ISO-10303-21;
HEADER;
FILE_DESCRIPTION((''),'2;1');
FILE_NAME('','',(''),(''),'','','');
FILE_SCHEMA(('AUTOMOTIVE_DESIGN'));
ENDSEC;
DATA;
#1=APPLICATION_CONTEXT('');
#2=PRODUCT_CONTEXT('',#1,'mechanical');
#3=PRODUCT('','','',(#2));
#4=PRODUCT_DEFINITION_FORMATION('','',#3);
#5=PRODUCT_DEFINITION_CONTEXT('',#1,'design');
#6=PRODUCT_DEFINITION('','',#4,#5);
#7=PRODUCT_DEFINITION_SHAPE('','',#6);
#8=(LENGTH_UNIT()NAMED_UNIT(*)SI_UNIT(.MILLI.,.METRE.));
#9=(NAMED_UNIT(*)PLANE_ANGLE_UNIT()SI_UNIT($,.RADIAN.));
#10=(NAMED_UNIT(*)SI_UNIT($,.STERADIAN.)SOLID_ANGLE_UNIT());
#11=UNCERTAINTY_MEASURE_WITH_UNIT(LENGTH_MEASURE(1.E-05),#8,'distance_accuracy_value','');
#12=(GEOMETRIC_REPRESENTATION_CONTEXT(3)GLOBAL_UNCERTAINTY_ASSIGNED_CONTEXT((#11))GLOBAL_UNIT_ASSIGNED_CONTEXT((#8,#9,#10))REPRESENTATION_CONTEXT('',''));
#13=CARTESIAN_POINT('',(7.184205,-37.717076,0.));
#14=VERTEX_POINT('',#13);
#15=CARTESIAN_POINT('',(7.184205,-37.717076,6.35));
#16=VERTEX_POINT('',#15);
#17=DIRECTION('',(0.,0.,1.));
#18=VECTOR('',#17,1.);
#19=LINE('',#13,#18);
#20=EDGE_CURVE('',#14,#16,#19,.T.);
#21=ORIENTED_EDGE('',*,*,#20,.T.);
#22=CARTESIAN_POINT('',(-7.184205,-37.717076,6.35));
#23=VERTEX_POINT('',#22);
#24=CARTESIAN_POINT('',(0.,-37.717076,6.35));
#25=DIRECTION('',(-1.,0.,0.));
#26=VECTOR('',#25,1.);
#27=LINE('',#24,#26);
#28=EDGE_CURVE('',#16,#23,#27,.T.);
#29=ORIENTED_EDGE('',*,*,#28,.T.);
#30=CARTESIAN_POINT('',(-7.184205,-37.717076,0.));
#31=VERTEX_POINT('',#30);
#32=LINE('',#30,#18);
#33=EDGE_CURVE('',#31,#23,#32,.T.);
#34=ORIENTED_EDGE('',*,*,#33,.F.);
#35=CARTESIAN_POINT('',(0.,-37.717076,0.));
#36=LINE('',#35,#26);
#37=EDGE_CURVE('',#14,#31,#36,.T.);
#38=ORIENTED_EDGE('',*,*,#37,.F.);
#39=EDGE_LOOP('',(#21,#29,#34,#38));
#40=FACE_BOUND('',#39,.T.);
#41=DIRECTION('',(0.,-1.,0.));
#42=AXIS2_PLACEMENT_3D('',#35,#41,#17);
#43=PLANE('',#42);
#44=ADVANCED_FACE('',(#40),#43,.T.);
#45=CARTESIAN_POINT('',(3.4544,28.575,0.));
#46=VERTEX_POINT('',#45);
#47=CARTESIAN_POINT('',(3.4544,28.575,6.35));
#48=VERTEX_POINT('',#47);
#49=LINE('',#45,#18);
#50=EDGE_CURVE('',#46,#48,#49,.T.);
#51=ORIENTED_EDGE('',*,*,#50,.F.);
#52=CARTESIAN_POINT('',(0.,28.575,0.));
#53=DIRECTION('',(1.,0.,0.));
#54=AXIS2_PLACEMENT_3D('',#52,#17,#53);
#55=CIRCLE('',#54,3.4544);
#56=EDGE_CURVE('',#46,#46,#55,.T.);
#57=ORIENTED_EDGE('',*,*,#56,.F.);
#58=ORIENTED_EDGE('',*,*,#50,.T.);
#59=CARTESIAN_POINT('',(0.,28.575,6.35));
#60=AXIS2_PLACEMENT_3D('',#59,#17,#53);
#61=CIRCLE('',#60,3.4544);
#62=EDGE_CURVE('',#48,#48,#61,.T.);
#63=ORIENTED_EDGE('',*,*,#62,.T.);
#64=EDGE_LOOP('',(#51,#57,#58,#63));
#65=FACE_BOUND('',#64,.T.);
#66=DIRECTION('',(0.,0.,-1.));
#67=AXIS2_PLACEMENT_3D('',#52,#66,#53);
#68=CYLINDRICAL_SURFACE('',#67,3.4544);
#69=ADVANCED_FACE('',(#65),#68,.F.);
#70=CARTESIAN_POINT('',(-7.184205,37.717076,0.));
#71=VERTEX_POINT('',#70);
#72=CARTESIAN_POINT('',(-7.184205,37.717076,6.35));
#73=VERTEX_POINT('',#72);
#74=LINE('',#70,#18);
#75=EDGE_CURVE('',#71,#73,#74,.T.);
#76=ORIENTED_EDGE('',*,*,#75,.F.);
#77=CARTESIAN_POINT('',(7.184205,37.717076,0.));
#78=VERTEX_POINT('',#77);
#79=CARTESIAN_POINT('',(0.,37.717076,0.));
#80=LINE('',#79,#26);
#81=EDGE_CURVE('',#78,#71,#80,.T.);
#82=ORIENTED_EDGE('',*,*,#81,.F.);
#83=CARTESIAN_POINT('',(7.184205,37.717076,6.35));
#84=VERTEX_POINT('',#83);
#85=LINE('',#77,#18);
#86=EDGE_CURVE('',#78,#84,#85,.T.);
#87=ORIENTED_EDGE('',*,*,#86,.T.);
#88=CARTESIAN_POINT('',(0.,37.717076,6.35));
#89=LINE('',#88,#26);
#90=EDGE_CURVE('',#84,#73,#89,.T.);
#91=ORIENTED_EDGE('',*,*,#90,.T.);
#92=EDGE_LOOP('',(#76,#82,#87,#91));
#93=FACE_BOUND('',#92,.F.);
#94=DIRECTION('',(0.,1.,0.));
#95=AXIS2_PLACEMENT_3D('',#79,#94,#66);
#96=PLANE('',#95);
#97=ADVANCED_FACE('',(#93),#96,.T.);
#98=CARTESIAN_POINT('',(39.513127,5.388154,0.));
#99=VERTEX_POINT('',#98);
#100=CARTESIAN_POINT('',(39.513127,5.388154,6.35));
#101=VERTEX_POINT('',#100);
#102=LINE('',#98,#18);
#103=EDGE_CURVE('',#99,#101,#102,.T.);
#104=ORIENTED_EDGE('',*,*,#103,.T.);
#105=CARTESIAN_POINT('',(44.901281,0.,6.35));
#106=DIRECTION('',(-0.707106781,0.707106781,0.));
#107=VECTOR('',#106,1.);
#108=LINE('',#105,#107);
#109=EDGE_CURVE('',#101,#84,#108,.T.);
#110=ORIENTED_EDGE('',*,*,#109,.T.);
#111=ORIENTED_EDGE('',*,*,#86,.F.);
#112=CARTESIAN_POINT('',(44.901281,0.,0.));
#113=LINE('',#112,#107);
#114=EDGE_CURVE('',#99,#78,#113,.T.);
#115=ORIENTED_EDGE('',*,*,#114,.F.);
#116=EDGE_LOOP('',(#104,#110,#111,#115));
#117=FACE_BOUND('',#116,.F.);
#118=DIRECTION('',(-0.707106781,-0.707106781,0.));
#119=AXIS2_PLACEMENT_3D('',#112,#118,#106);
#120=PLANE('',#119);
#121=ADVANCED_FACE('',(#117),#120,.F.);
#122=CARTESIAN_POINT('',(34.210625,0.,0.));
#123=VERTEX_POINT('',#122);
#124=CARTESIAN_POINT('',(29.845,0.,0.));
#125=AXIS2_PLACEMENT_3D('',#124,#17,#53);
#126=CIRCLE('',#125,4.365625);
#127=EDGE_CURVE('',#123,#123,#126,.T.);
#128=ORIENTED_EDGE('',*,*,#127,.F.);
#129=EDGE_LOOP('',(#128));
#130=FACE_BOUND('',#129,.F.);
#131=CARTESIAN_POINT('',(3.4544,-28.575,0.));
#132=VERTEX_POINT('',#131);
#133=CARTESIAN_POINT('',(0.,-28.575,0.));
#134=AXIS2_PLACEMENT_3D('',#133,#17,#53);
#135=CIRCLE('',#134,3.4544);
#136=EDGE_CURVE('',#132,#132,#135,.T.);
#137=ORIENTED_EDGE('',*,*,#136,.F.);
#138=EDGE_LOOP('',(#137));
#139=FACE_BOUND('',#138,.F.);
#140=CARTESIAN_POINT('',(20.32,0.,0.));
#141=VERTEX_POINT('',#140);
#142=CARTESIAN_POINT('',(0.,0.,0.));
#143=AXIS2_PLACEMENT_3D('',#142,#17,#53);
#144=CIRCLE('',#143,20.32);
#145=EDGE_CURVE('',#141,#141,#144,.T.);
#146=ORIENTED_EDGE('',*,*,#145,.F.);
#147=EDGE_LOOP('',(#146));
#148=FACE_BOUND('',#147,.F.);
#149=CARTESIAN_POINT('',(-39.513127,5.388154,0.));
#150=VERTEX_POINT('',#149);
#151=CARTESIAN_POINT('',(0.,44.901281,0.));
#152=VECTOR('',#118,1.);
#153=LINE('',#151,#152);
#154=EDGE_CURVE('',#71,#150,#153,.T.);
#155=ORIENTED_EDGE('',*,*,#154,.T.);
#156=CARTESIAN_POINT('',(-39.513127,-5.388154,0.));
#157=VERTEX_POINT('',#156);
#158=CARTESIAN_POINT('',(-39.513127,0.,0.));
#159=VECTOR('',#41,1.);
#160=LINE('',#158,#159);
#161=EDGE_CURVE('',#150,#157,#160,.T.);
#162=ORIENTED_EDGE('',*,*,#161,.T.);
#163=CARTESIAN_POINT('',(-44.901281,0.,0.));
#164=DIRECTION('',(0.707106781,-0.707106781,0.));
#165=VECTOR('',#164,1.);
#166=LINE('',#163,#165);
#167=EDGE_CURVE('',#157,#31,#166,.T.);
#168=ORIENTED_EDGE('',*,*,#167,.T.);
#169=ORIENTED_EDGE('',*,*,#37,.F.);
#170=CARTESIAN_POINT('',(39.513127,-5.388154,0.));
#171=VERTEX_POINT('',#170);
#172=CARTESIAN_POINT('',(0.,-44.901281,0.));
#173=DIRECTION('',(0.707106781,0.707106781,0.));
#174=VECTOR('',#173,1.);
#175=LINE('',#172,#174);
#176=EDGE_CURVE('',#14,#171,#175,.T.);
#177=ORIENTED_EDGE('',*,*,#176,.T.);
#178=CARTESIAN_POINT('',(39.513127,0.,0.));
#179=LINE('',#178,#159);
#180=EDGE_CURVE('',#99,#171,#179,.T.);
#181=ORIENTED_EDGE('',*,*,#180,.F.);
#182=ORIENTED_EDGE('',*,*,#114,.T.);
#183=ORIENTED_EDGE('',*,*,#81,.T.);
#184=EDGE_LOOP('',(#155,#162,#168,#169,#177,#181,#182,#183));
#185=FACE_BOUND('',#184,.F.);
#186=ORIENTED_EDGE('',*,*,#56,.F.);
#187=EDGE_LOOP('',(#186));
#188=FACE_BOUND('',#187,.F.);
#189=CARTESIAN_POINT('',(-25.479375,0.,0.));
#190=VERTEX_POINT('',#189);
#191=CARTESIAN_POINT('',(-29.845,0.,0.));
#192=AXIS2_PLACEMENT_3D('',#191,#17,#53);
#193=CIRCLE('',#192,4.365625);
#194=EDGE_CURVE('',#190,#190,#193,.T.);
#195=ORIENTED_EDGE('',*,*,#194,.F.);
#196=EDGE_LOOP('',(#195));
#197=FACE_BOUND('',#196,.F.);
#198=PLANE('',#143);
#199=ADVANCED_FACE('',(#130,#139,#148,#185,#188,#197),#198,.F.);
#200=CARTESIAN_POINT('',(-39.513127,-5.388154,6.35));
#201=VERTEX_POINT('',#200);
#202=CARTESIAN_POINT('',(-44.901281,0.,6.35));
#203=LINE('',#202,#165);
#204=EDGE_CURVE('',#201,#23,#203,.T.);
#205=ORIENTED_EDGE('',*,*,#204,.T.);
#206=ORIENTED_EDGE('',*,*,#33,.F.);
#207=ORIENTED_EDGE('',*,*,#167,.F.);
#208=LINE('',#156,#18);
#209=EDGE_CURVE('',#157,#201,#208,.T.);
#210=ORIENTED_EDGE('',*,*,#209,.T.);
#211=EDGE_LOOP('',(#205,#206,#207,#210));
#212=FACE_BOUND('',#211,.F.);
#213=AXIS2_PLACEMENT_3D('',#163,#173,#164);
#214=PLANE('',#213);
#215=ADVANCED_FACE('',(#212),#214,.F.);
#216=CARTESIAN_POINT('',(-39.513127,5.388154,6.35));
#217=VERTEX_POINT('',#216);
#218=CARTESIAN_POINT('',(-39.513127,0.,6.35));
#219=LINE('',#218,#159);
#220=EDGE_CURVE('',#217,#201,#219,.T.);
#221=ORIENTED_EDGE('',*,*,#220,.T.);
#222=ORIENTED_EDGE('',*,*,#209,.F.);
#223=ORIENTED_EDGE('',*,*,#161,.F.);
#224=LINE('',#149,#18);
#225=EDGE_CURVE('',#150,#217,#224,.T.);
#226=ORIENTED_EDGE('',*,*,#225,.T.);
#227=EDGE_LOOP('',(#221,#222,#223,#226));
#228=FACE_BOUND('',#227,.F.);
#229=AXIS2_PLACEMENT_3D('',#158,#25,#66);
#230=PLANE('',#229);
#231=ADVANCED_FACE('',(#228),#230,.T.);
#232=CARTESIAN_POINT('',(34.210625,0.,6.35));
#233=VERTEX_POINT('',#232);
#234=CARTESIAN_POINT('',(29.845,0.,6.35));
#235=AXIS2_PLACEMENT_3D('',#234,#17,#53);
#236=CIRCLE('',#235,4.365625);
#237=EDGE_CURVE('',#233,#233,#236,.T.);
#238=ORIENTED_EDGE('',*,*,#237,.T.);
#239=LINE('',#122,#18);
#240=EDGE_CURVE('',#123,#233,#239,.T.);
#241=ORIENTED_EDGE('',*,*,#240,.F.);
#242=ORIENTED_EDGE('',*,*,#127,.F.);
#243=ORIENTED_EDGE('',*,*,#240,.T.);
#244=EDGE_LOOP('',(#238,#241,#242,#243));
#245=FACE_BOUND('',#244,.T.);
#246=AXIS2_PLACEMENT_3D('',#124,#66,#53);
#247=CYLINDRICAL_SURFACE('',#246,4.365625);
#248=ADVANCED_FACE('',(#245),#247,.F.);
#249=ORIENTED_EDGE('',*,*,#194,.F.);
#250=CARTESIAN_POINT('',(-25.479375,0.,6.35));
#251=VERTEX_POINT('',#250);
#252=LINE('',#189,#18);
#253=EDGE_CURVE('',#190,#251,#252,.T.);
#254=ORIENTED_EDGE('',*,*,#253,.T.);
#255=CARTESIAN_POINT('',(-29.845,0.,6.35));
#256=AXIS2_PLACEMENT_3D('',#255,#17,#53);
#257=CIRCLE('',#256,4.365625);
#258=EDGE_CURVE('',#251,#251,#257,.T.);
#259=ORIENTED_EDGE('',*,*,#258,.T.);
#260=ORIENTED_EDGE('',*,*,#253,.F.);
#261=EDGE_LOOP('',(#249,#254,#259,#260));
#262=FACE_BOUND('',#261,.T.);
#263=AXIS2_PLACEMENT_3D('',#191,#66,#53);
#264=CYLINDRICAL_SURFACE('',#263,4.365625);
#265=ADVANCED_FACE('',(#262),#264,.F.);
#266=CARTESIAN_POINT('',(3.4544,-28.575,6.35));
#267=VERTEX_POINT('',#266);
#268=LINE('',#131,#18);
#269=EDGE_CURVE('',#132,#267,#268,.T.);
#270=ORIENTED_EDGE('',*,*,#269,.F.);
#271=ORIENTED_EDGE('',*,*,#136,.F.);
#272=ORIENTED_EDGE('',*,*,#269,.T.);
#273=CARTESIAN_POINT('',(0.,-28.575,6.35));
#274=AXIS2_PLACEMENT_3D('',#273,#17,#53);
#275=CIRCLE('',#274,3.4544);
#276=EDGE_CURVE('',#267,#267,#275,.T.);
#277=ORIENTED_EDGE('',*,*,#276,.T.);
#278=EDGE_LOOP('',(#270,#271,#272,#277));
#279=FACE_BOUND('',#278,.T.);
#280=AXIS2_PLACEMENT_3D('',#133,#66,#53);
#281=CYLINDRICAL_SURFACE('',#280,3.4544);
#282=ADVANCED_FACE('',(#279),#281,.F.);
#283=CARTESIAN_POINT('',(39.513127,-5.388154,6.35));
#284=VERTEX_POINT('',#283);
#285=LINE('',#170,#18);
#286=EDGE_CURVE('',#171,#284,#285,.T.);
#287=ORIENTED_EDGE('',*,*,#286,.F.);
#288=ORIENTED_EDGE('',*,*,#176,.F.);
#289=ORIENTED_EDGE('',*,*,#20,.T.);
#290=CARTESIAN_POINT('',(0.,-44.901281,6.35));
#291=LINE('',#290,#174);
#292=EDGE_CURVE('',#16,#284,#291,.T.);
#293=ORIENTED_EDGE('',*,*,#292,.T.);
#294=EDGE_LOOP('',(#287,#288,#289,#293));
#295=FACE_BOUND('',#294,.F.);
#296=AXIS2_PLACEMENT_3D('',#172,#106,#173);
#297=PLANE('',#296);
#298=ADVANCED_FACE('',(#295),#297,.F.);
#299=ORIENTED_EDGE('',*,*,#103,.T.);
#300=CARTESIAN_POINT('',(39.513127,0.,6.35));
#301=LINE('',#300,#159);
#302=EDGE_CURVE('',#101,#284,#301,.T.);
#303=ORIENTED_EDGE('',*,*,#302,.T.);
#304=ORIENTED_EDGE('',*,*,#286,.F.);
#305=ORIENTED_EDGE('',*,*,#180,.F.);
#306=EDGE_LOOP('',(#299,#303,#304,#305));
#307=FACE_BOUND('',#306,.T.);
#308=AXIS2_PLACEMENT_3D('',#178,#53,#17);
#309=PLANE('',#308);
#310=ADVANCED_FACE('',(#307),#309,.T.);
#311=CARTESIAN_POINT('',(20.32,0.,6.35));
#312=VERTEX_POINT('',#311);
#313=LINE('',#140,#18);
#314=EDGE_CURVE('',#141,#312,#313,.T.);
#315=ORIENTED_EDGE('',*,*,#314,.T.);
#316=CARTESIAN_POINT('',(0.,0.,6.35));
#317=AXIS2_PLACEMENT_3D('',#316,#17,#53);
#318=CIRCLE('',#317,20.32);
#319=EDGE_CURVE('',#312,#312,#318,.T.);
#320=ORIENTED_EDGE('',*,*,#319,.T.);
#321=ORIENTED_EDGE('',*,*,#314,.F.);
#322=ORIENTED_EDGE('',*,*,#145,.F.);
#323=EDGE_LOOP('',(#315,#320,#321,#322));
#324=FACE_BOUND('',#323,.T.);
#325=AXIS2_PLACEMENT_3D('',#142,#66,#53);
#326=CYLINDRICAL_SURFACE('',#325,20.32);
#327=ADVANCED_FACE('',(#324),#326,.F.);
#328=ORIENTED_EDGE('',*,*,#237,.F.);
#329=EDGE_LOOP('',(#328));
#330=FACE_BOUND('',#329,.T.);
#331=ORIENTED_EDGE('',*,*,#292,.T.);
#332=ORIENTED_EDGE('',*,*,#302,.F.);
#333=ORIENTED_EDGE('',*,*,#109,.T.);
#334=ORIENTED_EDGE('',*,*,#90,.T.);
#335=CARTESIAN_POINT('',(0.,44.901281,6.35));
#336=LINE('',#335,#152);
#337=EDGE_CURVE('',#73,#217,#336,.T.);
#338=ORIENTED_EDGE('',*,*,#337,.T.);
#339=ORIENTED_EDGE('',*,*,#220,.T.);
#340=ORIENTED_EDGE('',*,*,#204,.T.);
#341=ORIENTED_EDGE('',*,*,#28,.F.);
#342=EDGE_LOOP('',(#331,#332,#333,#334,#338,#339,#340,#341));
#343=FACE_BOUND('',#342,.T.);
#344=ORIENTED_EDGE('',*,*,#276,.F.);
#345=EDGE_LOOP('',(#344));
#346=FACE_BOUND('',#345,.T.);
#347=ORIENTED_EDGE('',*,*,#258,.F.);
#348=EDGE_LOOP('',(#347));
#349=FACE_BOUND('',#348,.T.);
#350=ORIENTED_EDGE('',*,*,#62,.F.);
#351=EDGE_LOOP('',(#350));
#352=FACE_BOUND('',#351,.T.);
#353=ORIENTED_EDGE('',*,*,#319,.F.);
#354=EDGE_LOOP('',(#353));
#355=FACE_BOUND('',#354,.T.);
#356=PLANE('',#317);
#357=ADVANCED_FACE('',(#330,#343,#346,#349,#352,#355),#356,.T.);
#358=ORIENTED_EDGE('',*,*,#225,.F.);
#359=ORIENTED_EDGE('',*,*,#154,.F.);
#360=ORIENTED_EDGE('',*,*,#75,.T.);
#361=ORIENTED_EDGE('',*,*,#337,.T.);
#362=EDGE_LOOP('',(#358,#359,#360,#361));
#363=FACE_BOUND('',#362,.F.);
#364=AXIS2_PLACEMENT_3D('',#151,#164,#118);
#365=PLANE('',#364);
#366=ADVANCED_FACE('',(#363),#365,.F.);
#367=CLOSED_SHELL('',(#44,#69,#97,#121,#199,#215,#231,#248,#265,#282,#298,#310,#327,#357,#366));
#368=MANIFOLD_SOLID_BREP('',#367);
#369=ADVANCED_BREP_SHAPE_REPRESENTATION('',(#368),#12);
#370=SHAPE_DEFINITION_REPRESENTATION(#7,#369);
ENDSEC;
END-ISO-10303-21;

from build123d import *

# Parameters (mm, degrees)
F0_R     = 3.4544
F0_R_2   = 4.365625
F0_R_3   = 20.32
F1_DEPTH = 6.35
F2_SIZE  = 10.16
F3_SIZE  = 7.62


with BuildPart() as f1:
    # F0 (on Top) → F1 (new body)
    with BuildSketch(Plane.XY):
        Polygon((44.901281, 0), (0, 44.901281), (-44.901281, 0), (0, -44.901281), align=None)
        with Locations((0, -28.575)):
            Circle(F0_R, mode=Mode.SUBTRACT)
        with Locations((-29.845, 0)):
            Circle(F0_R_2, mode=Mode.SUBTRACT)
        Circle(F0_R_3, mode=Mode.SUBTRACT)
        with Locations((0, 28.575)):
            Circle(F0_R, mode=Mode.SUBTRACT)
        with Locations((29.845, 0)):
            Circle(F0_R_2, mode=Mode.SUBTRACT)
    extrude(amount=F1_DEPTH)

    # F2
    f2_edges = [f1.edges().sort_by_distance(p)[0] for p in [
        (0, 44.901281, 3.175),
        (0, -44.901281, 3.175),
    ]]
    chamfer(f2_edges, length=F2_SIZE)

    # F3
    f3_edges = [f1.edges().sort_by_distance(p)[0] for p in [
        (-44.901281, 0, 3.175),
        (44.901281, 0, 3.175),
    ]]
    chamfer(f3_edges, length=F3_SIZE)


solid = f1.part
